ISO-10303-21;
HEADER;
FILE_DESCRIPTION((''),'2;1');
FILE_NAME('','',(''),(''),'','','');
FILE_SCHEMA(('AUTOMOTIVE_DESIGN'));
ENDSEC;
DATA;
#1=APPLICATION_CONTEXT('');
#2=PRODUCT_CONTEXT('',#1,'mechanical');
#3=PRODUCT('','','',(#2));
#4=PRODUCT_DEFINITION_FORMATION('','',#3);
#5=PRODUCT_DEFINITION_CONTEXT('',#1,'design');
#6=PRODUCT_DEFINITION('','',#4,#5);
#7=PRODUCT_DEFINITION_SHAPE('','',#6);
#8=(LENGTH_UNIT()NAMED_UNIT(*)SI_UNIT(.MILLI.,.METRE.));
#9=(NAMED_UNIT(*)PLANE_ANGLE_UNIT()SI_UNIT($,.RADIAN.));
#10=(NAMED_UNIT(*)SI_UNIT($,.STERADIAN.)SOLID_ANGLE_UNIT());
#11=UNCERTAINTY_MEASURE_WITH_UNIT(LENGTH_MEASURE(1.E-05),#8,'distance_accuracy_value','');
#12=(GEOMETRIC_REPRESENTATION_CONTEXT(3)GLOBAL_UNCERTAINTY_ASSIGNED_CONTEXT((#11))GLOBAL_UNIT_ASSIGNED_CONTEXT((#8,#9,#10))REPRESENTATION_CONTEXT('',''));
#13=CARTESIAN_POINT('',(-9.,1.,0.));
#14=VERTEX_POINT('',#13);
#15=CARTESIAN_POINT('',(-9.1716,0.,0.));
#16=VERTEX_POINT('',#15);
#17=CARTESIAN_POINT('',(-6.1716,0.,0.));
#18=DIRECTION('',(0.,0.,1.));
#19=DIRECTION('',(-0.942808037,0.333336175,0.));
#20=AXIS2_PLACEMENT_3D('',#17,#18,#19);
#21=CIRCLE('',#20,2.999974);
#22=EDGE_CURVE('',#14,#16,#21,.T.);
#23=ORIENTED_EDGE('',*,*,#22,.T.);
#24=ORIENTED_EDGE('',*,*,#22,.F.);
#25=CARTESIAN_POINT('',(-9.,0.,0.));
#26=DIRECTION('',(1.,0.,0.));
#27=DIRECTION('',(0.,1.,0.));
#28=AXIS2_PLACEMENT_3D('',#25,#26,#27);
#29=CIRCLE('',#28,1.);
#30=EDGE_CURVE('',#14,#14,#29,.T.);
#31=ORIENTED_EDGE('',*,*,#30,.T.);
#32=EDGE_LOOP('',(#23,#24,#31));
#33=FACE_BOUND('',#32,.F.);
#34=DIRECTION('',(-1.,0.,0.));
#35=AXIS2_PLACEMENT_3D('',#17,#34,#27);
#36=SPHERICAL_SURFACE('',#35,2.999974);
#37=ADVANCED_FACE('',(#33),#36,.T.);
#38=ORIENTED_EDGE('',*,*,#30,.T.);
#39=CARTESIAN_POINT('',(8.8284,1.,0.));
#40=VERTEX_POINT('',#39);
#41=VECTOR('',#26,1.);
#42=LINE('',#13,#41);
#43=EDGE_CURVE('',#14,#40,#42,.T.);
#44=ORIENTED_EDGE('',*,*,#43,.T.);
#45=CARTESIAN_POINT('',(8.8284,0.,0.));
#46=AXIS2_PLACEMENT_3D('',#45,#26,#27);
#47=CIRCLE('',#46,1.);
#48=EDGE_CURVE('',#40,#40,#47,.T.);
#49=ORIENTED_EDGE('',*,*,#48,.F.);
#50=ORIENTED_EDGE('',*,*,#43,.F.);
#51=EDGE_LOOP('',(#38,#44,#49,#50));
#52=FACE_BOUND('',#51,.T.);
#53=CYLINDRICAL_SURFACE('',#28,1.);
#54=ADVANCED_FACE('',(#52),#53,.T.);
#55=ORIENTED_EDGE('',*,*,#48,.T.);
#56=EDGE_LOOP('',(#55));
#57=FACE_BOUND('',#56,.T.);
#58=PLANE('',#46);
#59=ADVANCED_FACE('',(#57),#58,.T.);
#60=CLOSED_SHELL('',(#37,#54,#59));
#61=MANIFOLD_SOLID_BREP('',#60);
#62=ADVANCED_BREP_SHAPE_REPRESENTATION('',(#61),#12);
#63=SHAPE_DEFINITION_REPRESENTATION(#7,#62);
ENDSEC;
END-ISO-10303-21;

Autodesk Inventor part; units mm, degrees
ref_plane "YZ Plane" through (0, 0, 0) normal (1, 0, 0) x (0, 1, 0)
ref_plane "XZ Plane" through (0, 0, 0) normal (0, 1, 0) x (-1, 0, 0)
ref_plane "XY Plane" through (0, 0, 0) normal (0, 0, 1) x (1, 0, 0)
sketch "Sketch2" plane through (0, 0, 0) normal (0, 0, 1) x (1, 0, 0)
  line L0 (-9, 1) -> (8.8284, 1)
  line L1 (8.8284, 1) -> (8.8284, 0)
  line L2 (8.8284, 0) -> (-9.1716, 0)
  line L3 (-9, 0) -> (-9, 1)
  line L4 (0, 0) -> (3.6926, 0)
  line L5 (8.8284, 0) -> (9.1716, 0)
  arc A0 (-9, 1) -> (-9, -1) centre (-6.1716, 0) ccw
  line L6 (0, 0) -> (0, 0.5) construction
  dimension "d3" = 1
  dimension "d7" = 2
  dimension "d8" = 3
  dimension "d11" = 18
revolve "Revolution1" add sketch "Sketch2" angle 360 about axis through (0, 0, 0) along (1, 0, 0)
properties part number "3d_LM-Welding_Tooling -  Guide Pin" material "304 Stainless Steel"
